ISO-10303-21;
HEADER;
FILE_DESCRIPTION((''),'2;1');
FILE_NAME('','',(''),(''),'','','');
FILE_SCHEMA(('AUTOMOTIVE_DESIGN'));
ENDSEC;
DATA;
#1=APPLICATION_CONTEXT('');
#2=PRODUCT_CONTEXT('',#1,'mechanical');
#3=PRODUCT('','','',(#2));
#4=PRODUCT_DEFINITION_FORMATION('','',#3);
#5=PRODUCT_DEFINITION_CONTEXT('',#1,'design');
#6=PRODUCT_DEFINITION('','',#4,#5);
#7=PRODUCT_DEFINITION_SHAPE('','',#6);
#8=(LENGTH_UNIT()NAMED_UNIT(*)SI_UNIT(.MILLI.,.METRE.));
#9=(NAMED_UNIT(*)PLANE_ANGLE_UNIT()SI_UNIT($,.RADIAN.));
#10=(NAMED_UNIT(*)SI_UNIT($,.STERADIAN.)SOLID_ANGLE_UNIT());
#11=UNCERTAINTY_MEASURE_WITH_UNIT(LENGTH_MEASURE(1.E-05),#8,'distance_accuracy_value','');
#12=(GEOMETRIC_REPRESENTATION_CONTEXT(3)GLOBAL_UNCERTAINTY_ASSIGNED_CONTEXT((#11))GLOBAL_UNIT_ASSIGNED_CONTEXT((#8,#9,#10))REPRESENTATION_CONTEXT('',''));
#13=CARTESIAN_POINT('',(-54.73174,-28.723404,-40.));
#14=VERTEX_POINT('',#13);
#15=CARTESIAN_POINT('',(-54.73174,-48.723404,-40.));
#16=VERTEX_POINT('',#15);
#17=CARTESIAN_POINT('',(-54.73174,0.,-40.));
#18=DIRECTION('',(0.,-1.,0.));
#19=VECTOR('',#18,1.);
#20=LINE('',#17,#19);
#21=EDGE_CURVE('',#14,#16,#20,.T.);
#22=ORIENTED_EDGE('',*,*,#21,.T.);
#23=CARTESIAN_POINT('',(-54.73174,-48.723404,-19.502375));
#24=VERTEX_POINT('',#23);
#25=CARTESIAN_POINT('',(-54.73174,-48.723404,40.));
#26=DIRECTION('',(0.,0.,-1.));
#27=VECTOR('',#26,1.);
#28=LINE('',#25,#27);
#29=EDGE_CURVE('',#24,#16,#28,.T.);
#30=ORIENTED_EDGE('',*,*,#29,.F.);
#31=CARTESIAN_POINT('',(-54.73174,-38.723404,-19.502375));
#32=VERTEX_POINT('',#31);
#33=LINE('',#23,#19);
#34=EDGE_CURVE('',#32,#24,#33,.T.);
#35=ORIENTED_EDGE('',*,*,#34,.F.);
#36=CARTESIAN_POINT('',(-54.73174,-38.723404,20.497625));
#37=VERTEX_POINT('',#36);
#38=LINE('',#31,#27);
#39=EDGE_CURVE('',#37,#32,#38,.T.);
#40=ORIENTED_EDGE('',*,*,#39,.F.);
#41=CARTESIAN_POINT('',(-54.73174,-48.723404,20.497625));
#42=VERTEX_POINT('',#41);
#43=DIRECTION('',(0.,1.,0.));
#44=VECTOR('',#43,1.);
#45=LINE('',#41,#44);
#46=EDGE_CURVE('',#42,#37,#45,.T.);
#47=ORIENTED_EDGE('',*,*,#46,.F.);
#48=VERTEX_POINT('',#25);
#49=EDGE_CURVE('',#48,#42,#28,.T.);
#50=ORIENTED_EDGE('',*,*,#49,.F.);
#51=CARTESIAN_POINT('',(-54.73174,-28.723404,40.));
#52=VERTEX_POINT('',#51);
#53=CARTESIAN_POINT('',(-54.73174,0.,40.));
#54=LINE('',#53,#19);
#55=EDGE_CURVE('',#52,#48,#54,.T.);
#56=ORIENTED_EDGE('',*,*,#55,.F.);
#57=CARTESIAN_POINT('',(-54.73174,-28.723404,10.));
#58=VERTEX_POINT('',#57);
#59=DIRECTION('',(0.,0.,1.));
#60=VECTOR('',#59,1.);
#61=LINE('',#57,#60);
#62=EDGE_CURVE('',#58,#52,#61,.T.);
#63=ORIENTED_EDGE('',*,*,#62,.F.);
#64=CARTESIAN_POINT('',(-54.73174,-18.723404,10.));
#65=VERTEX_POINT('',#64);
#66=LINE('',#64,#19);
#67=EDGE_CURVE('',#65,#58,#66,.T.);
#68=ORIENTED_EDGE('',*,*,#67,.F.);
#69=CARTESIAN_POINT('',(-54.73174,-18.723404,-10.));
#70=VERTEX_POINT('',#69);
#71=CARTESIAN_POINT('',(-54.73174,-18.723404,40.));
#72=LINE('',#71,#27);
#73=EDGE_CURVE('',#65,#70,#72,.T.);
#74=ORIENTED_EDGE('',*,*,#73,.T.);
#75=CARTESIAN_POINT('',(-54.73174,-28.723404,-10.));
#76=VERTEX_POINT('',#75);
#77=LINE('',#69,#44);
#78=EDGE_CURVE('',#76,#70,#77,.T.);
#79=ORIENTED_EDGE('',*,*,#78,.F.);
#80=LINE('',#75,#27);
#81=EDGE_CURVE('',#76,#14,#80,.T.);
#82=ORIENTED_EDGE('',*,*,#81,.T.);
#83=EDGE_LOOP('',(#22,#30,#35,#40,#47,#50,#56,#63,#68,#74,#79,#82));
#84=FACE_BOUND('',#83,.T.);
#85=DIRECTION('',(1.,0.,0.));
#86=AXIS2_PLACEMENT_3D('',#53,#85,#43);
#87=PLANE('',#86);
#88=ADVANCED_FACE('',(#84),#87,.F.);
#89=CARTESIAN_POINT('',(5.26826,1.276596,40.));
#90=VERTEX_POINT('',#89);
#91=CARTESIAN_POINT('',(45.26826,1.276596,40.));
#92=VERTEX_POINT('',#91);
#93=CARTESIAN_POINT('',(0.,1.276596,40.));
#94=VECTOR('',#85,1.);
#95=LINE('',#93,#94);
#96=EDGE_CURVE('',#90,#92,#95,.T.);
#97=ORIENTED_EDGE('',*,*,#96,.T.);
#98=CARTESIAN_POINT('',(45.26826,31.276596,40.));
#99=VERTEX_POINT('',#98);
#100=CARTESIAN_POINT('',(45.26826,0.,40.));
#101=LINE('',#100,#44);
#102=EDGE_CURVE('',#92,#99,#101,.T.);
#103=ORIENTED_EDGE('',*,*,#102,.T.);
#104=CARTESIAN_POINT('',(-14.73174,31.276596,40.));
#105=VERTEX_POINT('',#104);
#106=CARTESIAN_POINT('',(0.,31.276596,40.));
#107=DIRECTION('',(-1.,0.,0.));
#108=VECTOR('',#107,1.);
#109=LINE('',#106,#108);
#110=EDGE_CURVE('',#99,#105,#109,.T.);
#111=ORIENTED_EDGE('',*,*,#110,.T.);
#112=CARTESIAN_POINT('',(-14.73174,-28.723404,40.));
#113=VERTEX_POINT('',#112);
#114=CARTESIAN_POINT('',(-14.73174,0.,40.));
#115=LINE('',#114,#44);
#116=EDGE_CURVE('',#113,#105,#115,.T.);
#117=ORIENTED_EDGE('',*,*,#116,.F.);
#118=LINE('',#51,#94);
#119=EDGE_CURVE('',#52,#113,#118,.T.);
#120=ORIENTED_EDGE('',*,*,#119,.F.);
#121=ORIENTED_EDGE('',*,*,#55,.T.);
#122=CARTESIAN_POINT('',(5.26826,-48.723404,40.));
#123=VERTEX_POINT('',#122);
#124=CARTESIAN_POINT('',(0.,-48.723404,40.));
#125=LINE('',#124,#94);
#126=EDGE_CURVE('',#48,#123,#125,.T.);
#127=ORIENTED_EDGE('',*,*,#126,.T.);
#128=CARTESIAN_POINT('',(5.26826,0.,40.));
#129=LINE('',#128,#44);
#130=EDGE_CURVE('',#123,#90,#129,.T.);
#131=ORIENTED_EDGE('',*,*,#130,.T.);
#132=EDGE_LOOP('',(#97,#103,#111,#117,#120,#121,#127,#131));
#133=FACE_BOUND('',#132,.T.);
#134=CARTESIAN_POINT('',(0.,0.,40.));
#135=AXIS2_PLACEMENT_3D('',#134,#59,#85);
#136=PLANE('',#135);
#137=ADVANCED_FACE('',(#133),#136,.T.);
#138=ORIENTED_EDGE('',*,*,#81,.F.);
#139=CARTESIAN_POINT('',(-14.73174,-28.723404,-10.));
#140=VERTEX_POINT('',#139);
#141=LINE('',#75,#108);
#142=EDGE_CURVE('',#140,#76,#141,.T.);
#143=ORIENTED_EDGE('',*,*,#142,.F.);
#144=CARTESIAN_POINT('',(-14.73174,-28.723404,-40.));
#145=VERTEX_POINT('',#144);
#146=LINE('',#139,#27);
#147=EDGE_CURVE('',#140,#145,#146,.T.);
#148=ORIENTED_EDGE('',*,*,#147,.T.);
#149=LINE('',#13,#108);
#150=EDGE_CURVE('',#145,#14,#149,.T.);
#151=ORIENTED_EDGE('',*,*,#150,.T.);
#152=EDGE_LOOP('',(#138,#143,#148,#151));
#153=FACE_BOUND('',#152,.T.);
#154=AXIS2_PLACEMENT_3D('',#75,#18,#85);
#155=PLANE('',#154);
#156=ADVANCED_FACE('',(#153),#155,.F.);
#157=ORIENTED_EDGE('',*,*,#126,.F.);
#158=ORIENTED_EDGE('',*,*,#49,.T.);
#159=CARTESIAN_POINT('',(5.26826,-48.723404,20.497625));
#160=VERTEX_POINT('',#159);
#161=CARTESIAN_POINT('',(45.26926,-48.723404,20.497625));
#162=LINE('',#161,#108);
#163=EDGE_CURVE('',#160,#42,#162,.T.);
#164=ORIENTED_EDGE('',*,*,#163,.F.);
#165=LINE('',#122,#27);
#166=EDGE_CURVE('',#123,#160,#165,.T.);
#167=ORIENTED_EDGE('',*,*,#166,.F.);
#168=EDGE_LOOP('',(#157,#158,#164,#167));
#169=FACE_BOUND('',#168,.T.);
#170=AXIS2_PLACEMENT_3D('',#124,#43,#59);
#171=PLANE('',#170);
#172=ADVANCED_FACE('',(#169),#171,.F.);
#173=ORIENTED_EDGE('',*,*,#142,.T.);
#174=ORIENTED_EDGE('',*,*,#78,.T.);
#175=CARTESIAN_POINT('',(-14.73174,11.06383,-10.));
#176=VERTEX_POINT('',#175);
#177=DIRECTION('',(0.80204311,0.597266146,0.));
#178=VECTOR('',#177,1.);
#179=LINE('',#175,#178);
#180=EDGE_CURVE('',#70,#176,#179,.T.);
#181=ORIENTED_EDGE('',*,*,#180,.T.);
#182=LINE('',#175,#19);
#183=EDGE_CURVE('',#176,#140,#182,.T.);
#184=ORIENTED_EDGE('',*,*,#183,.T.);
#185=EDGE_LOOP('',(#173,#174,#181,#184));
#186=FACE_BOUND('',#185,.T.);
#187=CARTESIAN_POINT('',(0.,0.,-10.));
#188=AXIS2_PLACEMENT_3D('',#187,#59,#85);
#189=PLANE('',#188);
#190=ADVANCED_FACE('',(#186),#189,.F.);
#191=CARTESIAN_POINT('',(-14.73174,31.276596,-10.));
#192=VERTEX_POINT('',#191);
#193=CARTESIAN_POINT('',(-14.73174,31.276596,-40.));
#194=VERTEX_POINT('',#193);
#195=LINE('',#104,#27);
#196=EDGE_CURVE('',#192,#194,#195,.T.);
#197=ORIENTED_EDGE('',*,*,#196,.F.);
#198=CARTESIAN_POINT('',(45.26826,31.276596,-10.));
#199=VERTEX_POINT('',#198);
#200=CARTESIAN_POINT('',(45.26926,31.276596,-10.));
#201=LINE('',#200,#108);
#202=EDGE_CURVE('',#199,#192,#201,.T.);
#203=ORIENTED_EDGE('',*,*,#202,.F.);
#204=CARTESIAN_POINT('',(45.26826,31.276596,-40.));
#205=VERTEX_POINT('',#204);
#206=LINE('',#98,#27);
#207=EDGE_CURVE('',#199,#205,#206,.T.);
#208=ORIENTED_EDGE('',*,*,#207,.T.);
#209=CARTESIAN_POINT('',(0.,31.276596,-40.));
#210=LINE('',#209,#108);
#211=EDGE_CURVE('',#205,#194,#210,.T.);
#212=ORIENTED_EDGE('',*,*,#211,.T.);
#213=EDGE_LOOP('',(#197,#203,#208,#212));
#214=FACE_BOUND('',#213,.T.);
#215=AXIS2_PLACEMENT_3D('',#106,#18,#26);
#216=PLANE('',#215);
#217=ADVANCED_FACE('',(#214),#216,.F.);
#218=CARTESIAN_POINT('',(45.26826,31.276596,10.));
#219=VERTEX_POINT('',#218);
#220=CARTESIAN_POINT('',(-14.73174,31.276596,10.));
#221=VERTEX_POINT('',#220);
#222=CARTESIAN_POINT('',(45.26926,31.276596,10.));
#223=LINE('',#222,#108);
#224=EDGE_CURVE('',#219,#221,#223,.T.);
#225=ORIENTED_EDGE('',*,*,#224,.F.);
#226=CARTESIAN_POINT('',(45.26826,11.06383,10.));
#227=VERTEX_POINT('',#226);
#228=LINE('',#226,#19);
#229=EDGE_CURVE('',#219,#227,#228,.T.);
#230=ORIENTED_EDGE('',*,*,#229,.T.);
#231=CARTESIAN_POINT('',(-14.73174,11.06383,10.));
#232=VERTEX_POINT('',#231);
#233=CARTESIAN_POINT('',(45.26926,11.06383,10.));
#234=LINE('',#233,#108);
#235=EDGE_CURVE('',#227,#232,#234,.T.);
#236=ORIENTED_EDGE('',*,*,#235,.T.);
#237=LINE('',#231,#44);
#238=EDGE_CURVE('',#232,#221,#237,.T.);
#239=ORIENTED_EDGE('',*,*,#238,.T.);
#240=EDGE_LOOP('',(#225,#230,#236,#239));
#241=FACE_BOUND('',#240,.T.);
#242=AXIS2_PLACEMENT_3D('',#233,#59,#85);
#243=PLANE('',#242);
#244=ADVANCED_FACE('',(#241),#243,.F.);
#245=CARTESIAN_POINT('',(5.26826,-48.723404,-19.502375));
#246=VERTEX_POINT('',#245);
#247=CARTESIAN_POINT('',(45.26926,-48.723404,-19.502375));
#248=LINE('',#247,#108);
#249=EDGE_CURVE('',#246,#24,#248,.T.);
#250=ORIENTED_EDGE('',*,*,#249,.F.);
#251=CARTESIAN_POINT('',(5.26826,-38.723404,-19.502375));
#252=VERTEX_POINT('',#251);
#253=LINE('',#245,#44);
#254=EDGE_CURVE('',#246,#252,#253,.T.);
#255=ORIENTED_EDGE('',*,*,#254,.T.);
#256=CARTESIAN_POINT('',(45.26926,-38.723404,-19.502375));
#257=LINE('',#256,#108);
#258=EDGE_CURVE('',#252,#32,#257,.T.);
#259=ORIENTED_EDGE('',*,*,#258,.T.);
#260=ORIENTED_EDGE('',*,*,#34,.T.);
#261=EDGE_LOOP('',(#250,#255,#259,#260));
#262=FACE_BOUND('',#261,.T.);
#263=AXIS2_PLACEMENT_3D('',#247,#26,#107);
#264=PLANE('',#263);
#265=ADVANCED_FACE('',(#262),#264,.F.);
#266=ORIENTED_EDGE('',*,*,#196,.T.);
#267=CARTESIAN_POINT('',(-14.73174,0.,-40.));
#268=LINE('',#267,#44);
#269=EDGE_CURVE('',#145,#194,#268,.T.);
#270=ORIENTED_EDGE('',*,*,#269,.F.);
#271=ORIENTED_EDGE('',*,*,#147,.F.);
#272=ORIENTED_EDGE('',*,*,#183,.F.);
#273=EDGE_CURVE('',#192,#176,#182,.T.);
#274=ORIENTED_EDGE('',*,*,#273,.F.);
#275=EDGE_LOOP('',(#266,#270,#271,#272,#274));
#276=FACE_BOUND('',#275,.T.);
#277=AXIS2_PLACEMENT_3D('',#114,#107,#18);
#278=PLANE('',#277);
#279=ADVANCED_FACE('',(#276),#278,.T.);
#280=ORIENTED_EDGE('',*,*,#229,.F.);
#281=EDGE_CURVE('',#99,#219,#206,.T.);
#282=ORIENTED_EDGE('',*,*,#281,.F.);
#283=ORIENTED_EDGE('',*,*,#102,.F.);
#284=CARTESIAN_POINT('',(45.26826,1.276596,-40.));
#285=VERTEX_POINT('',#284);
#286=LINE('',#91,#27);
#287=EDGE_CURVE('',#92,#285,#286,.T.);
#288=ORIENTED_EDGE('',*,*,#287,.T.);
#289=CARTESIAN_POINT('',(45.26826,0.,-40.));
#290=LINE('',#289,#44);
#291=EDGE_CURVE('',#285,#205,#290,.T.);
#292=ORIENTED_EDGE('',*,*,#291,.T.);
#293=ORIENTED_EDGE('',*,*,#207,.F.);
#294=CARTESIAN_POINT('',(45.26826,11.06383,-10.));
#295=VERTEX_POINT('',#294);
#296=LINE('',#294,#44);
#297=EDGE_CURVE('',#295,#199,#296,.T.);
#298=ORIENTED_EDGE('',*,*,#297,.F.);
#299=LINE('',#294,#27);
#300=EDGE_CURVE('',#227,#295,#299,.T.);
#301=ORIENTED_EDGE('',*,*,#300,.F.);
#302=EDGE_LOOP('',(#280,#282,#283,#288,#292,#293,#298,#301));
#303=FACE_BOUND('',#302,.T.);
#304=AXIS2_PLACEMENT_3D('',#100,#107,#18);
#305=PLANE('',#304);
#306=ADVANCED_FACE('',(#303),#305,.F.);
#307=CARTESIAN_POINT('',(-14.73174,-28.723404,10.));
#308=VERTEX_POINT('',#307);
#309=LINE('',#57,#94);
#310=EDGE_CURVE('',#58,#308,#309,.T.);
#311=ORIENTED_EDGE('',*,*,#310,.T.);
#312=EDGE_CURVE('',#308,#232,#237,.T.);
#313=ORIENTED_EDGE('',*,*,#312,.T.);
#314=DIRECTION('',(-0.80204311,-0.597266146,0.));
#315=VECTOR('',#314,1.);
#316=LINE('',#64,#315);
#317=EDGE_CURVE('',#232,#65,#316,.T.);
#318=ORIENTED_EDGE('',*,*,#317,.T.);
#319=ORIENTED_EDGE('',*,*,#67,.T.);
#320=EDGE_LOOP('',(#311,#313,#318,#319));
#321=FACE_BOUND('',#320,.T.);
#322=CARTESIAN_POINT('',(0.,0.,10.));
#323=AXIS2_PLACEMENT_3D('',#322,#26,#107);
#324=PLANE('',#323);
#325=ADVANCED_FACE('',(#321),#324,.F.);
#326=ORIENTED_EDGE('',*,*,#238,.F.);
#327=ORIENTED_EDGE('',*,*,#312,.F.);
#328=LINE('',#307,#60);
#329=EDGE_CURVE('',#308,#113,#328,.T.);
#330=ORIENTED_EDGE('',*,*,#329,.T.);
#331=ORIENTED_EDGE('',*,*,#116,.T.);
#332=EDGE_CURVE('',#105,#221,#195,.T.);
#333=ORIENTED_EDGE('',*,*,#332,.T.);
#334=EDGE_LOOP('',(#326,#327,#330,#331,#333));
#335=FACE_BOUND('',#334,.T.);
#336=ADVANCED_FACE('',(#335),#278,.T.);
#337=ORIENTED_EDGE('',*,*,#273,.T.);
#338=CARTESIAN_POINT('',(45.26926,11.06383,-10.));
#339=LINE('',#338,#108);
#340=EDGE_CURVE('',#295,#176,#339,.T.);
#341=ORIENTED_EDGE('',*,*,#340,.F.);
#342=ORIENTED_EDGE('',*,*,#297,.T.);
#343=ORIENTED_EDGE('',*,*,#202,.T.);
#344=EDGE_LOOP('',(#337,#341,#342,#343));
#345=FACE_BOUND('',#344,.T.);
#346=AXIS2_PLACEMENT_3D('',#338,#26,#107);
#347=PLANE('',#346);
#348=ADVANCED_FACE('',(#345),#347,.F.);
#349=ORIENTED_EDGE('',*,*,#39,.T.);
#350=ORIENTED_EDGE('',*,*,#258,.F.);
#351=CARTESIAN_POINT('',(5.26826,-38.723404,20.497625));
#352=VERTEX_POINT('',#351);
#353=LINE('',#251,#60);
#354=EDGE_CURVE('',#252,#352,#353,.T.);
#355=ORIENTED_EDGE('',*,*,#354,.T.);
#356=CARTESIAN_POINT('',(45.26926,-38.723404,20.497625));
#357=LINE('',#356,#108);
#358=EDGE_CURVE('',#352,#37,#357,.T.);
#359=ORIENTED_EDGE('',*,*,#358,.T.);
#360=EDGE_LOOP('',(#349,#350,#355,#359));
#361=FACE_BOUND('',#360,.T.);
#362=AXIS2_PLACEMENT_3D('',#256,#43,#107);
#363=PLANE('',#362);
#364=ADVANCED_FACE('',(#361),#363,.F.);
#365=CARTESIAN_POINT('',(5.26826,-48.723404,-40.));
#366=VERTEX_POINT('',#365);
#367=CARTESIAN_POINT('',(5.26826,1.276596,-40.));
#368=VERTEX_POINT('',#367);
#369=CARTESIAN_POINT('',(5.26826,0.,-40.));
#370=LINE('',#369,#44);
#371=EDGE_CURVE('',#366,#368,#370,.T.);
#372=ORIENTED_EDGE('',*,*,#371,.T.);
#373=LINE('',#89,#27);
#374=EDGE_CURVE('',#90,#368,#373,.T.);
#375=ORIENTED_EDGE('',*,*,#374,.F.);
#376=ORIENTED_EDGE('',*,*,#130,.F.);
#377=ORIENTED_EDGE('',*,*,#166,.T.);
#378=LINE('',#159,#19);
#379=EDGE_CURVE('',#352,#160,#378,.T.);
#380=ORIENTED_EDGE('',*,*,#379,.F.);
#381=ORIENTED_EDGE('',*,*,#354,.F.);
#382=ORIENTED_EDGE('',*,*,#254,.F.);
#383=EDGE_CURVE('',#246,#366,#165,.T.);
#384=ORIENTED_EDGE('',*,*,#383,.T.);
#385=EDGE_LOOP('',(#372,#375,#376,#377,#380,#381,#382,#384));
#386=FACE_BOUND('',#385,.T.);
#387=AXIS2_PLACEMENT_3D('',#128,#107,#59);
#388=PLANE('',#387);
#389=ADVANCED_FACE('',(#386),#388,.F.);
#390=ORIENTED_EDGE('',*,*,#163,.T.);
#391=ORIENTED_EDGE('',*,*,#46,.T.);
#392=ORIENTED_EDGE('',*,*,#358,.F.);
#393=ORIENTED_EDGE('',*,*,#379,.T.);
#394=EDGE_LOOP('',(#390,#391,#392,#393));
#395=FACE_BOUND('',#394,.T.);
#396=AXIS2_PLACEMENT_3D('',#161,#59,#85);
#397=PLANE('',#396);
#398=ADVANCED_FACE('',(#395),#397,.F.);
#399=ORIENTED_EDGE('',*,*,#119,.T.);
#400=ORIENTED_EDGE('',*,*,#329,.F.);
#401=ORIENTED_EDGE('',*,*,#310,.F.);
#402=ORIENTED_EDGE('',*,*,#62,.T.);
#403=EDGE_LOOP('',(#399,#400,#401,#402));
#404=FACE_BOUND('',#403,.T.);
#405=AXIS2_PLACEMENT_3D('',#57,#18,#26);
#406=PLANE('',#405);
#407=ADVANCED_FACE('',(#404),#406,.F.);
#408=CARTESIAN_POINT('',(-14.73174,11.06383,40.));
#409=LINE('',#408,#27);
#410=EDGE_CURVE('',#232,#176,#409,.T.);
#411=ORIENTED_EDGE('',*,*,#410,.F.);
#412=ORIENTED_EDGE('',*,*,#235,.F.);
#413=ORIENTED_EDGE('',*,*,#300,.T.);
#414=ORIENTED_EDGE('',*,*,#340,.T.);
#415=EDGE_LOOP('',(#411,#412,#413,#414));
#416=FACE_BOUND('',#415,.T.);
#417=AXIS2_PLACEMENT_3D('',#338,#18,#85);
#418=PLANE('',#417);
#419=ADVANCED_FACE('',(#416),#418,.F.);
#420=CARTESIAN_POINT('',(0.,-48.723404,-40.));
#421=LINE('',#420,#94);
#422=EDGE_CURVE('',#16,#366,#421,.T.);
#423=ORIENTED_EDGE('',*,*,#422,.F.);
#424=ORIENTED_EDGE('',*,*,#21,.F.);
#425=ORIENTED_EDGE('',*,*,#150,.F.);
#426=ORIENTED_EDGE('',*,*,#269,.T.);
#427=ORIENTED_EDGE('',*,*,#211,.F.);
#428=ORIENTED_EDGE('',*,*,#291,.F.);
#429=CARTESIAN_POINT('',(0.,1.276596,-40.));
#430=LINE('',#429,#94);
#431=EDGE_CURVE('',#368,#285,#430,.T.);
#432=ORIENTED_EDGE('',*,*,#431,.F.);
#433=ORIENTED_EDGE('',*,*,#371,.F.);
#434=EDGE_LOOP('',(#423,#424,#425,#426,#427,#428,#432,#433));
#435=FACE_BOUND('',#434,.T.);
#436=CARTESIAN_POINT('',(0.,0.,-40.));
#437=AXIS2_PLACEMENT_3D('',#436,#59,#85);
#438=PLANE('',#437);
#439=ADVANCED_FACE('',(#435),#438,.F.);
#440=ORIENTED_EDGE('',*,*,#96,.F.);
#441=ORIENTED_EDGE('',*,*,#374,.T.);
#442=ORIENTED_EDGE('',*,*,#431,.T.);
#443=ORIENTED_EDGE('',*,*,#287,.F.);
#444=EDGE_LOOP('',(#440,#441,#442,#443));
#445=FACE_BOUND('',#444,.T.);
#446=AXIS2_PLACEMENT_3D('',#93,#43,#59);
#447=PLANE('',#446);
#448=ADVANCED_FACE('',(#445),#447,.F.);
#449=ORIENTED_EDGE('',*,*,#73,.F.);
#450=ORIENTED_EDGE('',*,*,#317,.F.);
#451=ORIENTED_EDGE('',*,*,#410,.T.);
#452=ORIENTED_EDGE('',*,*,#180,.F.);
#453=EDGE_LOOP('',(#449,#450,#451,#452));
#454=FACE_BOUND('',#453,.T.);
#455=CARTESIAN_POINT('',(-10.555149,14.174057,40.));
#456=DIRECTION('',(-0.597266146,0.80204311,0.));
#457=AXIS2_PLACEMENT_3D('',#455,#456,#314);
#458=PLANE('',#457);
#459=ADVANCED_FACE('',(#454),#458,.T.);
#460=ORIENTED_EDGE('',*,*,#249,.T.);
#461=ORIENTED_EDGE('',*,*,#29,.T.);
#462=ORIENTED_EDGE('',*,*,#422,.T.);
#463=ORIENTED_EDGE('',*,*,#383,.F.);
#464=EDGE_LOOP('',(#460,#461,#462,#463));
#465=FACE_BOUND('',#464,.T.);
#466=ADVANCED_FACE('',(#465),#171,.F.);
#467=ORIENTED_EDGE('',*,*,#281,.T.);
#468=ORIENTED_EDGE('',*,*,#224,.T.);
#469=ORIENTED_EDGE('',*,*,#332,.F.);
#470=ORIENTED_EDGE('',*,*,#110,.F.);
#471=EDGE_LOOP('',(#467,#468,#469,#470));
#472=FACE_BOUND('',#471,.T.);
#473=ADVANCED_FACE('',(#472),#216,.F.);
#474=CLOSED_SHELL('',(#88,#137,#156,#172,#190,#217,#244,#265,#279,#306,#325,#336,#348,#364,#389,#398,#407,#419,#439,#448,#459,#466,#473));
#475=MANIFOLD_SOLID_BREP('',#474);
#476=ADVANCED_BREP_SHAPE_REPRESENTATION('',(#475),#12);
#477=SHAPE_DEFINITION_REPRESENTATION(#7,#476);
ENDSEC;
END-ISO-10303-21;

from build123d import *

# Parameters (mm, degrees)
BOSS_EXTRUDE1_DEPTH = 40
CUT_EXTRUDE1_DEPTH  = 30
CUT_EXTRUDE2_DEPTH  = 30
CUT_EXTRUDE3_REACH  = 62
SKETCH4_W           = 20
SKETCH4_H           = 20.212765958
CUT_EXTRUDE4_REACH  = 102
SKETCH5_W           = 40
SKETCH5_H           = 10


with BuildPart() as part:
    # Sketch1 → Boss-Extrude1 (new body, symmetric)
    with BuildSketch(Plane.XY):
        Polygon((-14.731740416, -28.723404255), (-14.731740416, 11.063829787), (-14.731740416, 31.276595745), (45.268259584, 31.276595745), (45.268259584, 1.276595745), (5.268259584, 1.276595745), (5.268259584, -48.723404255), (-54.731740416, -48.723404255), (-54.731740416, -28.723404255), align=None)
        Polygon((-54.731740416, -28.723404255), (-14.731740416, -28.723404255), (-14.731740416, 11.063829787), (-54.731740416, -18.723404255), align=None)
    extrude(amount=BOSS_EXTRUDE1_DEPTH, both=True)

    # Sketch2 → Cut-Extrude1 (cut)
    with BuildSketch(Plane.XY.offset(40)):
        Polygon((-54.731740416, -18.723404255), (-54.731740416, -28.723404255), (-14.731740416, -28.723404255), (-14.731740416, 11.063829787), align=None)
    extrude(amount=-CUT_EXTRUDE1_DEPTH, mode=Mode.SUBTRACT)

    # Sketch3 → Cut-Extrude2 (cut)
    with BuildSketch(Plane(origin=(0, 0, -40), x_dir=(-1, 0, 0), z_dir=(0, 0, -1))):
        Polygon((14.731740416, 11.063829787), (54.731740416, -18.723404255), (54.731740416, -28.723404255), (14.731740416, -28.723404255), align=None)
    extrude(amount=-CUT_EXTRUDE2_DEPTH, mode=Mode.SUBTRACT)

    # Sketch4 → Cut-Extrude3 (cut, up to next)
    with BuildSketch(Plane.ZY.offset(14.731740416), mode=Mode.PRIVATE) as cut_extrude3_sk1:
        with Locations((0, 21.170212766)):
            Rectangle(SKETCH4_W, SKETCH4_H)
    cut_extrude3_tool1 = extrude(cut_extrude3_sk1.sketch, amount=-CUT_EXTRUDE3_REACH, mode=Mode.PRIVATE) & part.part
    add(cut_extrude3_tool1.solids().sort_by_distance((-14.73174, 21.170213, 0))[0], mode=Mode.SUBTRACT)

    # Sketch5 → Cut-Extrude4 (cut, up to next)
    with BuildSketch(Plane.ZY.offset(54.731740416), mode=Mode.PRIVATE) as cut_extrude4_sk1:
        with Locations((0.497624841, -43.723404255)):
            Rectangle(SKETCH5_W, SKETCH5_H)
    cut_extrude4_tool1 = extrude(cut_extrude4_sk1.sketch, amount=-CUT_EXTRUDE4_REACH, mode=Mode.PRIVATE) & part.part
    add(cut_extrude4_tool1.solids().sort_by_distance((-54.73174, -43.723404, 0.497625))[0], mode=Mode.SUBTRACT)


solid = part.part
